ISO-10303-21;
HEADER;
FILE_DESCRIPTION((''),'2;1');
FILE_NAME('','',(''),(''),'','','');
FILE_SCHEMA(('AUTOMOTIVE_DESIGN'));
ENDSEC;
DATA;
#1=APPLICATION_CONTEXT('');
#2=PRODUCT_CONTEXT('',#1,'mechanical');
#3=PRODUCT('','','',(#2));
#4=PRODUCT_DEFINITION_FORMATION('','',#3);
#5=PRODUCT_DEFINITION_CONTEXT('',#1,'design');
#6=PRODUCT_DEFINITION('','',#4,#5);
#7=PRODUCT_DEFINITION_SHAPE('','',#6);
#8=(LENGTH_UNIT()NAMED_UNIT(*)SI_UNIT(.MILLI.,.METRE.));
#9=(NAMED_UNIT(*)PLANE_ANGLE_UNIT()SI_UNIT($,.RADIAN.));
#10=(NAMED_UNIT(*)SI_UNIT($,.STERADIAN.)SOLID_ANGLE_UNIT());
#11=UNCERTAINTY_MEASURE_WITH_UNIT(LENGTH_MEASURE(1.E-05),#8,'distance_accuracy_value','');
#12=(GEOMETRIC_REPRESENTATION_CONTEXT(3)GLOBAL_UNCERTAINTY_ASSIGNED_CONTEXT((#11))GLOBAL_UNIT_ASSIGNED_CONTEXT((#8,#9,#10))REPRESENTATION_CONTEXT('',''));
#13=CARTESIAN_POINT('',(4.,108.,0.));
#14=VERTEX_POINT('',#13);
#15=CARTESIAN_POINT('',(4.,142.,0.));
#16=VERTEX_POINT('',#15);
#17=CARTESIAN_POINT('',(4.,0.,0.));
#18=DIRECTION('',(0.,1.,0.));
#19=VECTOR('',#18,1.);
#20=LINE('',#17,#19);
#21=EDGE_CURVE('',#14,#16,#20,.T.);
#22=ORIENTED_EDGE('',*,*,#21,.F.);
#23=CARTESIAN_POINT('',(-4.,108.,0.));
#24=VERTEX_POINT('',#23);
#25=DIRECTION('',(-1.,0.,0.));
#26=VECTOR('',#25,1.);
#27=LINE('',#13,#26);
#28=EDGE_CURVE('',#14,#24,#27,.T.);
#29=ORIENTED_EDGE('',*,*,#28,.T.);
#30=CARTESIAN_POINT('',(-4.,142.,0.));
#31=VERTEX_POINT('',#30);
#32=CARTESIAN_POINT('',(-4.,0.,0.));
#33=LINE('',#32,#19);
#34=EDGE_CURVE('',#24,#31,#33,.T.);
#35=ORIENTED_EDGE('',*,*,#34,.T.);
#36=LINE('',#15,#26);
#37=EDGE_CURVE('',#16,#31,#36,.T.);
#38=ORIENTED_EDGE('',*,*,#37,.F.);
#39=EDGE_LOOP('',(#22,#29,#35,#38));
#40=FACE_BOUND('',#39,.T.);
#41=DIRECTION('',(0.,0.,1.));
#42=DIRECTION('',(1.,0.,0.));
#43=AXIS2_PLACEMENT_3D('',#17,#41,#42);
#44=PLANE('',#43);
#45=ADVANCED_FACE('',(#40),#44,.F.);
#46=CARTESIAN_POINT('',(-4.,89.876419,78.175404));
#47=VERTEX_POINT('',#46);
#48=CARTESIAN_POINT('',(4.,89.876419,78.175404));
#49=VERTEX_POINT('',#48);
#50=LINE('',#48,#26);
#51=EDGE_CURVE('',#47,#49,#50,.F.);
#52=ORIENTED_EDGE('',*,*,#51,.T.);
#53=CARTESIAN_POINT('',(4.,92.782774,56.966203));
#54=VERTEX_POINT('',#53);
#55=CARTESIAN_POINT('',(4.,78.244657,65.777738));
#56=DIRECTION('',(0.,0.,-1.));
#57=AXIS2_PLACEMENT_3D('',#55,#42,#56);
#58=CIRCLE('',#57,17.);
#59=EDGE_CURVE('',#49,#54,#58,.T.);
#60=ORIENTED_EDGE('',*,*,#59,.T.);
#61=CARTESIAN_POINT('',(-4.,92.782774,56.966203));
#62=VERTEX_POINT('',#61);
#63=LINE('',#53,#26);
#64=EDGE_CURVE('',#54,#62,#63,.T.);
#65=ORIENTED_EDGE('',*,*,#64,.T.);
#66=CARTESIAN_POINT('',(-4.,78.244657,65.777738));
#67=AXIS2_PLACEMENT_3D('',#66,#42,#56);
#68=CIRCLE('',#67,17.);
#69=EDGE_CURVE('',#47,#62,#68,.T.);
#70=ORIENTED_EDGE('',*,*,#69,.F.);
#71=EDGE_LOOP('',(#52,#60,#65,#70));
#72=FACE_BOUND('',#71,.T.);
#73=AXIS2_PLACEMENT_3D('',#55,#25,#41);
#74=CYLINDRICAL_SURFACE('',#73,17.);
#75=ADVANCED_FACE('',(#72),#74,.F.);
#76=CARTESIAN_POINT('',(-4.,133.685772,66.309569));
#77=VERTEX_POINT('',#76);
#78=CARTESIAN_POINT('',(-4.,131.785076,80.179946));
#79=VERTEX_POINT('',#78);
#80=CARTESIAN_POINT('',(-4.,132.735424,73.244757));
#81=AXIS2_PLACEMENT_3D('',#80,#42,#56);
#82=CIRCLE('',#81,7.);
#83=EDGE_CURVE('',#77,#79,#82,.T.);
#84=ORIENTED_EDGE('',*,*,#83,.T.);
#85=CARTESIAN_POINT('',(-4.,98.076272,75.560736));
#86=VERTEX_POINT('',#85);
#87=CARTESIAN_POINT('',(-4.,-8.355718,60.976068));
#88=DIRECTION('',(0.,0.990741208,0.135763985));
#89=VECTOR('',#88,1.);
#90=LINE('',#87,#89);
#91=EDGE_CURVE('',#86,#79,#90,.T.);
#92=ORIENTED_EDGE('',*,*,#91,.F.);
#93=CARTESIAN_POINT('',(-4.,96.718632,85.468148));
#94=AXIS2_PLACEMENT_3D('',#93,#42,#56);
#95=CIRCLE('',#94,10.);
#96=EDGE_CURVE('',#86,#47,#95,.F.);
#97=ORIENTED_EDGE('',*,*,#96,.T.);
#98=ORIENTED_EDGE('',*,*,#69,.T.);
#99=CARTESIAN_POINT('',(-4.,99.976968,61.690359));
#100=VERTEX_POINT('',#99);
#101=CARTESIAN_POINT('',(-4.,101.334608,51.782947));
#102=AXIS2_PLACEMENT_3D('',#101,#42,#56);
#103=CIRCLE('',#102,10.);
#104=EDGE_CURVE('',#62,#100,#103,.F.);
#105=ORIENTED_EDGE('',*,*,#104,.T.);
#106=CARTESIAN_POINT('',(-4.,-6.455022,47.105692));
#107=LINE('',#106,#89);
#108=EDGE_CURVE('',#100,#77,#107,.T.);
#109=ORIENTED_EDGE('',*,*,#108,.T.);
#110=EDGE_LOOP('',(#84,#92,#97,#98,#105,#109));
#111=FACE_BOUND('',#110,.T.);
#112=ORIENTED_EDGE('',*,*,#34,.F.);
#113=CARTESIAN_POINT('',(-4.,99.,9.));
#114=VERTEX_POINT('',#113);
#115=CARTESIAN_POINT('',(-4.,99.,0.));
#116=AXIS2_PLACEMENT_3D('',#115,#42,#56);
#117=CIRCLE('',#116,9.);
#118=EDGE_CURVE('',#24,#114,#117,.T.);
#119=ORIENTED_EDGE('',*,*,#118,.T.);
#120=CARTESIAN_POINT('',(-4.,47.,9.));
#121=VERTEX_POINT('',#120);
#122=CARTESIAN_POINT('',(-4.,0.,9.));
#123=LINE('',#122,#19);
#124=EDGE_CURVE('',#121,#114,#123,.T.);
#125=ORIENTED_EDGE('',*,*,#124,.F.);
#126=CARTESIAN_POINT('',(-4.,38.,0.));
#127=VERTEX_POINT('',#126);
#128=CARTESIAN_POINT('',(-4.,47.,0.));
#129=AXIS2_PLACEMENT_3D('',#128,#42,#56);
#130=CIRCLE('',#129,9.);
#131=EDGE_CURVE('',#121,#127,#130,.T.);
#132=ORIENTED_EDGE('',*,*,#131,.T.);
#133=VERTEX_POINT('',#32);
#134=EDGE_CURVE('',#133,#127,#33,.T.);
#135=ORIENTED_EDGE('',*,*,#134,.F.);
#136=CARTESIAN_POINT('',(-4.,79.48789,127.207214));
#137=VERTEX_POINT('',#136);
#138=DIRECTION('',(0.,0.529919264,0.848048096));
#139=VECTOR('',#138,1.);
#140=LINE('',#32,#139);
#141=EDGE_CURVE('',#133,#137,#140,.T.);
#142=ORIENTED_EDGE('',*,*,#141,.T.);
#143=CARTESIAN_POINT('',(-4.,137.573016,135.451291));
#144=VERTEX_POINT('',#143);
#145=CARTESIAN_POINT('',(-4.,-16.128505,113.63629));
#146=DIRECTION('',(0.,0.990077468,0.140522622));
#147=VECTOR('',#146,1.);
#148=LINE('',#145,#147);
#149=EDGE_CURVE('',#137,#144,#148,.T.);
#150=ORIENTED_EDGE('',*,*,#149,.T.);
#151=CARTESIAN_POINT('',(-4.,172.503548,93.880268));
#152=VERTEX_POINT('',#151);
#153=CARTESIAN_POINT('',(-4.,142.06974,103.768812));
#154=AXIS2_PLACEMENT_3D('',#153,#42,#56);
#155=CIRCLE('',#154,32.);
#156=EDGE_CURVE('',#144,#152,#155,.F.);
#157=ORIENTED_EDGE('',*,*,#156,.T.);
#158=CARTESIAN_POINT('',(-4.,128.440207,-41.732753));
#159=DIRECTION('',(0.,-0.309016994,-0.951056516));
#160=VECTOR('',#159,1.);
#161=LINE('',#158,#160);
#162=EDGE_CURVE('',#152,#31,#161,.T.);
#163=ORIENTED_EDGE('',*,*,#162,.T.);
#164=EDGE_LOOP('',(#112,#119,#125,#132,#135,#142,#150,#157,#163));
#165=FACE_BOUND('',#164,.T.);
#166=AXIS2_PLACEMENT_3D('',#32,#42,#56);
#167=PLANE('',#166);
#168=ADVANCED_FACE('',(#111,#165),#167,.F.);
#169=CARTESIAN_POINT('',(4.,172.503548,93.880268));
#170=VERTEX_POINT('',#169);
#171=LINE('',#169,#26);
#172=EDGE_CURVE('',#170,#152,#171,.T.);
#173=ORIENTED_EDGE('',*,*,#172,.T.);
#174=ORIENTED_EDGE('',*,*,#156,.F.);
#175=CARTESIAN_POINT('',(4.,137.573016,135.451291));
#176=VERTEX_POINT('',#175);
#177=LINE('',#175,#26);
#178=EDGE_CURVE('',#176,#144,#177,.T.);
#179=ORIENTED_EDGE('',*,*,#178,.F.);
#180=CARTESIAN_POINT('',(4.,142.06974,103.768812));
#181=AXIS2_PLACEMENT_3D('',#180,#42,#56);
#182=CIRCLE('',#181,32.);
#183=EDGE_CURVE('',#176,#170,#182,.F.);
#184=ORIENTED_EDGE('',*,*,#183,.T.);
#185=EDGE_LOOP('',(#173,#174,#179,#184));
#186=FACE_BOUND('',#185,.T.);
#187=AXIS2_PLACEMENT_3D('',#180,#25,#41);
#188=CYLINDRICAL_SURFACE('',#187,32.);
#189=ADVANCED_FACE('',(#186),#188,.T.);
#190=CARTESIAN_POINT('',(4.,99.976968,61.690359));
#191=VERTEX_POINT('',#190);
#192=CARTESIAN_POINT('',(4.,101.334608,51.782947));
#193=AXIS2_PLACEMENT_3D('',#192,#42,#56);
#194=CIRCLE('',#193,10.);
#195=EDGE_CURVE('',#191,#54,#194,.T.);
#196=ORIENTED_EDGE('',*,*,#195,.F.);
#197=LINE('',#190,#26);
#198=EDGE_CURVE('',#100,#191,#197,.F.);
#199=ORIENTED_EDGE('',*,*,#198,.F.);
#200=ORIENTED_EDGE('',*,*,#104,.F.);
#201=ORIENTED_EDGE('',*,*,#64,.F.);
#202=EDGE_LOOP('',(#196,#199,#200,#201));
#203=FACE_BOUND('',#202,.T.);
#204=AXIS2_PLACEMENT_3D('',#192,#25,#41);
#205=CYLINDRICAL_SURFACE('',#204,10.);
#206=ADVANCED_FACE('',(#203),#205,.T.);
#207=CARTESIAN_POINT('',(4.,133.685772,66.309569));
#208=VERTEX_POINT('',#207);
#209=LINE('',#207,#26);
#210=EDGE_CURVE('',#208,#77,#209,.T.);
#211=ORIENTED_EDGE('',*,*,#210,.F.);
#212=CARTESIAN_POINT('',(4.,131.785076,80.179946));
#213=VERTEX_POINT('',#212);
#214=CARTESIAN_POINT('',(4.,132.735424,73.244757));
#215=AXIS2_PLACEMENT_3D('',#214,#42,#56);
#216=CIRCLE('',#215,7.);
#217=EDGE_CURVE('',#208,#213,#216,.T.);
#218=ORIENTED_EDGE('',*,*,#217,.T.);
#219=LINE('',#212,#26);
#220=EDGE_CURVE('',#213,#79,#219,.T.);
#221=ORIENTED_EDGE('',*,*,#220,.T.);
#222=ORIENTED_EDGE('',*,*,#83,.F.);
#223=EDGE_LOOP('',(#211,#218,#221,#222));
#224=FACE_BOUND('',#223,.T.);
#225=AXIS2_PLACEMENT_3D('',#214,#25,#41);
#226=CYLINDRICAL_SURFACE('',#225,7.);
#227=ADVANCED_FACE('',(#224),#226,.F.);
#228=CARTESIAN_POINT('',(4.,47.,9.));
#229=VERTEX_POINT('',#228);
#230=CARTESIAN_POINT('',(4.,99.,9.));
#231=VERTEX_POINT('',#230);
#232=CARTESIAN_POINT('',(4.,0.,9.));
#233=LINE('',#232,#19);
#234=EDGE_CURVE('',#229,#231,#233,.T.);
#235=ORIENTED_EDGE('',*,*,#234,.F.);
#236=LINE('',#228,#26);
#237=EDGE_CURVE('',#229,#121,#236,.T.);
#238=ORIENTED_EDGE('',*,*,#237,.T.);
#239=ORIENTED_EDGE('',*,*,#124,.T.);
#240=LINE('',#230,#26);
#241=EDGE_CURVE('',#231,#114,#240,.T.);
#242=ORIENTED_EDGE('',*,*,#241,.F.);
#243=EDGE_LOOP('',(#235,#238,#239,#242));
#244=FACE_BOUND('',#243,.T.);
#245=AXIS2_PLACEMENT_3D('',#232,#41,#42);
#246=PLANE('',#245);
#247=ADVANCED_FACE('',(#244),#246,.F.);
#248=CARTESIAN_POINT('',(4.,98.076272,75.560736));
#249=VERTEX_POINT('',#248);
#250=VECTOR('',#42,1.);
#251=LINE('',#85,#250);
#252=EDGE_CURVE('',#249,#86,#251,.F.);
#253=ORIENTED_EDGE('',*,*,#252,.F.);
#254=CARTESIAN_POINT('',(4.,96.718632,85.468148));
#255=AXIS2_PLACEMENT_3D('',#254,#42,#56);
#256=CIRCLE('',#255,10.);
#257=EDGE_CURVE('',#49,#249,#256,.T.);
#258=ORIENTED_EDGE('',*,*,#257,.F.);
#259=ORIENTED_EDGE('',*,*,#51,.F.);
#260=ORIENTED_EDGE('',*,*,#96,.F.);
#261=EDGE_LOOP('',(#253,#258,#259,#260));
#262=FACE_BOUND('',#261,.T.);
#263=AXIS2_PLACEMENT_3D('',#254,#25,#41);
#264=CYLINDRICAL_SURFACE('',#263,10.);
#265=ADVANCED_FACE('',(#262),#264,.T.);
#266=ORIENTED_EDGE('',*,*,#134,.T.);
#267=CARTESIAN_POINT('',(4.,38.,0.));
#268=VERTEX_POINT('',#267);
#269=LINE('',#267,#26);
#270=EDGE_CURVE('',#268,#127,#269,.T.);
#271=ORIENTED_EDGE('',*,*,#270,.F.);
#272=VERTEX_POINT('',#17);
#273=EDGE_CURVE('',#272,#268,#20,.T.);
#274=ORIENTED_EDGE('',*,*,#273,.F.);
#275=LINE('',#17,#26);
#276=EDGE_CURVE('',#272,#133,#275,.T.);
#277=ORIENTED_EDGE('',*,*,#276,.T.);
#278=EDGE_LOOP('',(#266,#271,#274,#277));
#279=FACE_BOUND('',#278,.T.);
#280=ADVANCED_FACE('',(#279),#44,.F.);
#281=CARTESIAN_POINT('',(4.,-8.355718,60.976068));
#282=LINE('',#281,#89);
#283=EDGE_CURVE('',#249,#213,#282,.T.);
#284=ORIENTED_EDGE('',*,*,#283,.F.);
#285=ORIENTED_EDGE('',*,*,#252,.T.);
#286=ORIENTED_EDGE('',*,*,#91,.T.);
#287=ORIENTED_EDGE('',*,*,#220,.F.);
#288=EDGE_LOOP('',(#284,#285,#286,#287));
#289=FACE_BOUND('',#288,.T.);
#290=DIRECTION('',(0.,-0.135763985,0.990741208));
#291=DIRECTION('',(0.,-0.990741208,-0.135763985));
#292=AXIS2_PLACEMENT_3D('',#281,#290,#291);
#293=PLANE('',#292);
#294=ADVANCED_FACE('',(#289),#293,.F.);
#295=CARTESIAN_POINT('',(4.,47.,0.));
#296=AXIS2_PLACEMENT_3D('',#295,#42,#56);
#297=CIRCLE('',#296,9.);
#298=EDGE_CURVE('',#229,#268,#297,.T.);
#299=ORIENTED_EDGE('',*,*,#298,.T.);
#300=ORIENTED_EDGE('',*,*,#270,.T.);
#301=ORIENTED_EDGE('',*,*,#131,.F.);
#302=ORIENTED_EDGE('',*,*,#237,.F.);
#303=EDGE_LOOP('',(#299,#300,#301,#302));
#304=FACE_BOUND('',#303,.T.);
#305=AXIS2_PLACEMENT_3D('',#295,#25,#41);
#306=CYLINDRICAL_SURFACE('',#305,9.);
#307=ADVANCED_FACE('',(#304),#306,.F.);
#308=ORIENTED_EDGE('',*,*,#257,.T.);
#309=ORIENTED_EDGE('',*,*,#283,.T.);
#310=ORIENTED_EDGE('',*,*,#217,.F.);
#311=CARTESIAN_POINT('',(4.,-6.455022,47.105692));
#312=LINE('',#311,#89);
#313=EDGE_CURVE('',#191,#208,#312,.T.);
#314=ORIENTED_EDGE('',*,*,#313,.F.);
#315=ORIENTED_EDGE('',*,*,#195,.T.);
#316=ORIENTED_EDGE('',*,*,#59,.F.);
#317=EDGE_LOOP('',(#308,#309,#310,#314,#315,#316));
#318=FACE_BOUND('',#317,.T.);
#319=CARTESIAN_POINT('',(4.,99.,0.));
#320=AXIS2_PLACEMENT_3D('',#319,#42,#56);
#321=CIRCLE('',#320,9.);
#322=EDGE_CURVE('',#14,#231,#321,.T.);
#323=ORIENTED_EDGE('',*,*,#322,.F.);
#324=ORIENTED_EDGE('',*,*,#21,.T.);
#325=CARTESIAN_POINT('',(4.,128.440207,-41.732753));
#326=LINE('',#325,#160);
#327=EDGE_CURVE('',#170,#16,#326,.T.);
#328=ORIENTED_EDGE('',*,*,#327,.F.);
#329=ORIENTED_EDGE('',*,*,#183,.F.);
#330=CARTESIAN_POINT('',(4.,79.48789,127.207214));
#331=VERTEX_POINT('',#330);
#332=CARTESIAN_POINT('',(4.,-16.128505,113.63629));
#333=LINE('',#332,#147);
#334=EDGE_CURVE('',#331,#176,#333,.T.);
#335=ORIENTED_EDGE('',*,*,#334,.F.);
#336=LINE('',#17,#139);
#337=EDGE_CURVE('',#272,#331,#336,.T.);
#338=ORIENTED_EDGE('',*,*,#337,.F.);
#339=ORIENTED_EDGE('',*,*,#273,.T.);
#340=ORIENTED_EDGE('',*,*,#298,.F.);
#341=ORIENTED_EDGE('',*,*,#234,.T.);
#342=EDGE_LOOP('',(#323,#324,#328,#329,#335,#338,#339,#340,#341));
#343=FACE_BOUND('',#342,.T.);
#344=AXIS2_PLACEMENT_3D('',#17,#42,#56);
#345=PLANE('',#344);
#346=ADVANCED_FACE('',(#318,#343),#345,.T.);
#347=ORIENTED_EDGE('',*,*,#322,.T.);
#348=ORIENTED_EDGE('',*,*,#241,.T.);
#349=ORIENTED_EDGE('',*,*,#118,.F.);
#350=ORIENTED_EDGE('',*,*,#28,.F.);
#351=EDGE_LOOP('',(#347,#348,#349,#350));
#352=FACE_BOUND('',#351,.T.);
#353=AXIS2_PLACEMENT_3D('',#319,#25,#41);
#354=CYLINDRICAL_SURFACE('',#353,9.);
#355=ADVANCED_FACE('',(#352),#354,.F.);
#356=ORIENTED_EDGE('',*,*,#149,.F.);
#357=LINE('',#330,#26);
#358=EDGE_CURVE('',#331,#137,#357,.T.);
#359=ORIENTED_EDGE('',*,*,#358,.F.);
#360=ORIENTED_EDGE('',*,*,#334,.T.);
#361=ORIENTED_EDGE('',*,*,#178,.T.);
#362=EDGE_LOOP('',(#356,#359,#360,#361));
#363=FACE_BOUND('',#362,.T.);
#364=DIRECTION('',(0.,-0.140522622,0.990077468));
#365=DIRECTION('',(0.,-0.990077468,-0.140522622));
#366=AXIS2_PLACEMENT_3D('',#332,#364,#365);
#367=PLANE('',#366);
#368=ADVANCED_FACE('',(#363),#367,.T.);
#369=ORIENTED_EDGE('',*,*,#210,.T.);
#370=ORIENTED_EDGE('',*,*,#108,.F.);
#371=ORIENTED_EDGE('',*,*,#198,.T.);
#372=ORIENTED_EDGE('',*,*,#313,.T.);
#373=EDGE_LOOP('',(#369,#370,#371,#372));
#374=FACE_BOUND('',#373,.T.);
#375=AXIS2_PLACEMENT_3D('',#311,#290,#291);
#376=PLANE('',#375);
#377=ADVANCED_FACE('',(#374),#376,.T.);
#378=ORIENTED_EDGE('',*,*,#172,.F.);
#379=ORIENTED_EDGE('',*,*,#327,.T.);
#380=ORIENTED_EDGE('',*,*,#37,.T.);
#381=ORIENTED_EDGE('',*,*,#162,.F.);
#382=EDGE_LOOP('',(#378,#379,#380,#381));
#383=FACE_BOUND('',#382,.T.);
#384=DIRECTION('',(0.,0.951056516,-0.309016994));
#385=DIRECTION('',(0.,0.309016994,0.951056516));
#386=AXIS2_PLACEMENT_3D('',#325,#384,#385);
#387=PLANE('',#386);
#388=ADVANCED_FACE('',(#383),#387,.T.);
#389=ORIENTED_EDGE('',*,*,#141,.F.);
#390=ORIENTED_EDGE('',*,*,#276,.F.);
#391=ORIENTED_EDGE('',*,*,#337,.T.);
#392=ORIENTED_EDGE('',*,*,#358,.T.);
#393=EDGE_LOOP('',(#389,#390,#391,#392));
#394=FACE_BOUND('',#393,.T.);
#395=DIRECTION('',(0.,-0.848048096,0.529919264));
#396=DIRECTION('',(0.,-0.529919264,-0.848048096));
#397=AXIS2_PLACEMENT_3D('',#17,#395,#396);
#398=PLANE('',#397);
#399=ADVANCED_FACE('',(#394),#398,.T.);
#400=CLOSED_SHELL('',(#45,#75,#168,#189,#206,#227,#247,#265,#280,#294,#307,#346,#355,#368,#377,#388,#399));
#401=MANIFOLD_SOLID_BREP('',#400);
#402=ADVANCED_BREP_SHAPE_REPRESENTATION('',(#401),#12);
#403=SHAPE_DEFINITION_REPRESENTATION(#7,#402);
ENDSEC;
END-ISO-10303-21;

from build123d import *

# Parameters (mm, degrees)
BOSS_EXTRUDE1_DEPTH = 4
FILLET1_R           = 10


with BuildPart() as part:
    # Sketch1 → Boss-Extrude1 (new, symmetric)
    with BuildSketch(Plane.YZ):
        with BuildLine():
            Line((79.487889635, 127.207214423), (0, 0))
            Line((0, 0), (38, 0))
            ThreePointArc((38, 0), (40.636038969, 6.363961031), (47, 9))
            Line((47, 9), (99, 9))
            ThreePointArc((99, 9), (105.363961031, 6.363961031), (108, 0))
            Line((108, 0), (142, 0))
            Line((142, 0), (172.50354814, 93.880267937))
            ThreePointArc((172.50354814, 93.880267937), (166.569139078, 124.354715336), (137.573015724, 135.451290736))
            Line((137.573015724, 135.451290736), (79.487889635, 127.207214423))
        make_face()
        with BuildLine():
            ThreePointArc((94.543501955, 60.945796393), (61.402056741, 63.469750476), (92.64280616, 74.816173298))
            Line((92.64280616, 74.816173298), (131.785075785, 80.179945877))
            ThreePointArc((131.785075785, 80.179945877), (139.670612135, 74.195105322), (133.68577158, 66.309568971))
            Line((133.68577158, 66.309568971), (94.543501955, 60.945796393))
        make_face(mode=Mode.SUBTRACT)
    extrude(amount=BOSS_EXTRUDE1_DEPTH, both=True)

    # Fillet1
    fillet1_edges = [part.edges().sort_by_distance(p)[0] for p in [
        (0, 92.64280616, 74.816173298),
        (0, 94.543501955, 60.945796393),
    ]]
    fillet(fillet1_edges, radius=FILLET1_R)


solid = part.part
